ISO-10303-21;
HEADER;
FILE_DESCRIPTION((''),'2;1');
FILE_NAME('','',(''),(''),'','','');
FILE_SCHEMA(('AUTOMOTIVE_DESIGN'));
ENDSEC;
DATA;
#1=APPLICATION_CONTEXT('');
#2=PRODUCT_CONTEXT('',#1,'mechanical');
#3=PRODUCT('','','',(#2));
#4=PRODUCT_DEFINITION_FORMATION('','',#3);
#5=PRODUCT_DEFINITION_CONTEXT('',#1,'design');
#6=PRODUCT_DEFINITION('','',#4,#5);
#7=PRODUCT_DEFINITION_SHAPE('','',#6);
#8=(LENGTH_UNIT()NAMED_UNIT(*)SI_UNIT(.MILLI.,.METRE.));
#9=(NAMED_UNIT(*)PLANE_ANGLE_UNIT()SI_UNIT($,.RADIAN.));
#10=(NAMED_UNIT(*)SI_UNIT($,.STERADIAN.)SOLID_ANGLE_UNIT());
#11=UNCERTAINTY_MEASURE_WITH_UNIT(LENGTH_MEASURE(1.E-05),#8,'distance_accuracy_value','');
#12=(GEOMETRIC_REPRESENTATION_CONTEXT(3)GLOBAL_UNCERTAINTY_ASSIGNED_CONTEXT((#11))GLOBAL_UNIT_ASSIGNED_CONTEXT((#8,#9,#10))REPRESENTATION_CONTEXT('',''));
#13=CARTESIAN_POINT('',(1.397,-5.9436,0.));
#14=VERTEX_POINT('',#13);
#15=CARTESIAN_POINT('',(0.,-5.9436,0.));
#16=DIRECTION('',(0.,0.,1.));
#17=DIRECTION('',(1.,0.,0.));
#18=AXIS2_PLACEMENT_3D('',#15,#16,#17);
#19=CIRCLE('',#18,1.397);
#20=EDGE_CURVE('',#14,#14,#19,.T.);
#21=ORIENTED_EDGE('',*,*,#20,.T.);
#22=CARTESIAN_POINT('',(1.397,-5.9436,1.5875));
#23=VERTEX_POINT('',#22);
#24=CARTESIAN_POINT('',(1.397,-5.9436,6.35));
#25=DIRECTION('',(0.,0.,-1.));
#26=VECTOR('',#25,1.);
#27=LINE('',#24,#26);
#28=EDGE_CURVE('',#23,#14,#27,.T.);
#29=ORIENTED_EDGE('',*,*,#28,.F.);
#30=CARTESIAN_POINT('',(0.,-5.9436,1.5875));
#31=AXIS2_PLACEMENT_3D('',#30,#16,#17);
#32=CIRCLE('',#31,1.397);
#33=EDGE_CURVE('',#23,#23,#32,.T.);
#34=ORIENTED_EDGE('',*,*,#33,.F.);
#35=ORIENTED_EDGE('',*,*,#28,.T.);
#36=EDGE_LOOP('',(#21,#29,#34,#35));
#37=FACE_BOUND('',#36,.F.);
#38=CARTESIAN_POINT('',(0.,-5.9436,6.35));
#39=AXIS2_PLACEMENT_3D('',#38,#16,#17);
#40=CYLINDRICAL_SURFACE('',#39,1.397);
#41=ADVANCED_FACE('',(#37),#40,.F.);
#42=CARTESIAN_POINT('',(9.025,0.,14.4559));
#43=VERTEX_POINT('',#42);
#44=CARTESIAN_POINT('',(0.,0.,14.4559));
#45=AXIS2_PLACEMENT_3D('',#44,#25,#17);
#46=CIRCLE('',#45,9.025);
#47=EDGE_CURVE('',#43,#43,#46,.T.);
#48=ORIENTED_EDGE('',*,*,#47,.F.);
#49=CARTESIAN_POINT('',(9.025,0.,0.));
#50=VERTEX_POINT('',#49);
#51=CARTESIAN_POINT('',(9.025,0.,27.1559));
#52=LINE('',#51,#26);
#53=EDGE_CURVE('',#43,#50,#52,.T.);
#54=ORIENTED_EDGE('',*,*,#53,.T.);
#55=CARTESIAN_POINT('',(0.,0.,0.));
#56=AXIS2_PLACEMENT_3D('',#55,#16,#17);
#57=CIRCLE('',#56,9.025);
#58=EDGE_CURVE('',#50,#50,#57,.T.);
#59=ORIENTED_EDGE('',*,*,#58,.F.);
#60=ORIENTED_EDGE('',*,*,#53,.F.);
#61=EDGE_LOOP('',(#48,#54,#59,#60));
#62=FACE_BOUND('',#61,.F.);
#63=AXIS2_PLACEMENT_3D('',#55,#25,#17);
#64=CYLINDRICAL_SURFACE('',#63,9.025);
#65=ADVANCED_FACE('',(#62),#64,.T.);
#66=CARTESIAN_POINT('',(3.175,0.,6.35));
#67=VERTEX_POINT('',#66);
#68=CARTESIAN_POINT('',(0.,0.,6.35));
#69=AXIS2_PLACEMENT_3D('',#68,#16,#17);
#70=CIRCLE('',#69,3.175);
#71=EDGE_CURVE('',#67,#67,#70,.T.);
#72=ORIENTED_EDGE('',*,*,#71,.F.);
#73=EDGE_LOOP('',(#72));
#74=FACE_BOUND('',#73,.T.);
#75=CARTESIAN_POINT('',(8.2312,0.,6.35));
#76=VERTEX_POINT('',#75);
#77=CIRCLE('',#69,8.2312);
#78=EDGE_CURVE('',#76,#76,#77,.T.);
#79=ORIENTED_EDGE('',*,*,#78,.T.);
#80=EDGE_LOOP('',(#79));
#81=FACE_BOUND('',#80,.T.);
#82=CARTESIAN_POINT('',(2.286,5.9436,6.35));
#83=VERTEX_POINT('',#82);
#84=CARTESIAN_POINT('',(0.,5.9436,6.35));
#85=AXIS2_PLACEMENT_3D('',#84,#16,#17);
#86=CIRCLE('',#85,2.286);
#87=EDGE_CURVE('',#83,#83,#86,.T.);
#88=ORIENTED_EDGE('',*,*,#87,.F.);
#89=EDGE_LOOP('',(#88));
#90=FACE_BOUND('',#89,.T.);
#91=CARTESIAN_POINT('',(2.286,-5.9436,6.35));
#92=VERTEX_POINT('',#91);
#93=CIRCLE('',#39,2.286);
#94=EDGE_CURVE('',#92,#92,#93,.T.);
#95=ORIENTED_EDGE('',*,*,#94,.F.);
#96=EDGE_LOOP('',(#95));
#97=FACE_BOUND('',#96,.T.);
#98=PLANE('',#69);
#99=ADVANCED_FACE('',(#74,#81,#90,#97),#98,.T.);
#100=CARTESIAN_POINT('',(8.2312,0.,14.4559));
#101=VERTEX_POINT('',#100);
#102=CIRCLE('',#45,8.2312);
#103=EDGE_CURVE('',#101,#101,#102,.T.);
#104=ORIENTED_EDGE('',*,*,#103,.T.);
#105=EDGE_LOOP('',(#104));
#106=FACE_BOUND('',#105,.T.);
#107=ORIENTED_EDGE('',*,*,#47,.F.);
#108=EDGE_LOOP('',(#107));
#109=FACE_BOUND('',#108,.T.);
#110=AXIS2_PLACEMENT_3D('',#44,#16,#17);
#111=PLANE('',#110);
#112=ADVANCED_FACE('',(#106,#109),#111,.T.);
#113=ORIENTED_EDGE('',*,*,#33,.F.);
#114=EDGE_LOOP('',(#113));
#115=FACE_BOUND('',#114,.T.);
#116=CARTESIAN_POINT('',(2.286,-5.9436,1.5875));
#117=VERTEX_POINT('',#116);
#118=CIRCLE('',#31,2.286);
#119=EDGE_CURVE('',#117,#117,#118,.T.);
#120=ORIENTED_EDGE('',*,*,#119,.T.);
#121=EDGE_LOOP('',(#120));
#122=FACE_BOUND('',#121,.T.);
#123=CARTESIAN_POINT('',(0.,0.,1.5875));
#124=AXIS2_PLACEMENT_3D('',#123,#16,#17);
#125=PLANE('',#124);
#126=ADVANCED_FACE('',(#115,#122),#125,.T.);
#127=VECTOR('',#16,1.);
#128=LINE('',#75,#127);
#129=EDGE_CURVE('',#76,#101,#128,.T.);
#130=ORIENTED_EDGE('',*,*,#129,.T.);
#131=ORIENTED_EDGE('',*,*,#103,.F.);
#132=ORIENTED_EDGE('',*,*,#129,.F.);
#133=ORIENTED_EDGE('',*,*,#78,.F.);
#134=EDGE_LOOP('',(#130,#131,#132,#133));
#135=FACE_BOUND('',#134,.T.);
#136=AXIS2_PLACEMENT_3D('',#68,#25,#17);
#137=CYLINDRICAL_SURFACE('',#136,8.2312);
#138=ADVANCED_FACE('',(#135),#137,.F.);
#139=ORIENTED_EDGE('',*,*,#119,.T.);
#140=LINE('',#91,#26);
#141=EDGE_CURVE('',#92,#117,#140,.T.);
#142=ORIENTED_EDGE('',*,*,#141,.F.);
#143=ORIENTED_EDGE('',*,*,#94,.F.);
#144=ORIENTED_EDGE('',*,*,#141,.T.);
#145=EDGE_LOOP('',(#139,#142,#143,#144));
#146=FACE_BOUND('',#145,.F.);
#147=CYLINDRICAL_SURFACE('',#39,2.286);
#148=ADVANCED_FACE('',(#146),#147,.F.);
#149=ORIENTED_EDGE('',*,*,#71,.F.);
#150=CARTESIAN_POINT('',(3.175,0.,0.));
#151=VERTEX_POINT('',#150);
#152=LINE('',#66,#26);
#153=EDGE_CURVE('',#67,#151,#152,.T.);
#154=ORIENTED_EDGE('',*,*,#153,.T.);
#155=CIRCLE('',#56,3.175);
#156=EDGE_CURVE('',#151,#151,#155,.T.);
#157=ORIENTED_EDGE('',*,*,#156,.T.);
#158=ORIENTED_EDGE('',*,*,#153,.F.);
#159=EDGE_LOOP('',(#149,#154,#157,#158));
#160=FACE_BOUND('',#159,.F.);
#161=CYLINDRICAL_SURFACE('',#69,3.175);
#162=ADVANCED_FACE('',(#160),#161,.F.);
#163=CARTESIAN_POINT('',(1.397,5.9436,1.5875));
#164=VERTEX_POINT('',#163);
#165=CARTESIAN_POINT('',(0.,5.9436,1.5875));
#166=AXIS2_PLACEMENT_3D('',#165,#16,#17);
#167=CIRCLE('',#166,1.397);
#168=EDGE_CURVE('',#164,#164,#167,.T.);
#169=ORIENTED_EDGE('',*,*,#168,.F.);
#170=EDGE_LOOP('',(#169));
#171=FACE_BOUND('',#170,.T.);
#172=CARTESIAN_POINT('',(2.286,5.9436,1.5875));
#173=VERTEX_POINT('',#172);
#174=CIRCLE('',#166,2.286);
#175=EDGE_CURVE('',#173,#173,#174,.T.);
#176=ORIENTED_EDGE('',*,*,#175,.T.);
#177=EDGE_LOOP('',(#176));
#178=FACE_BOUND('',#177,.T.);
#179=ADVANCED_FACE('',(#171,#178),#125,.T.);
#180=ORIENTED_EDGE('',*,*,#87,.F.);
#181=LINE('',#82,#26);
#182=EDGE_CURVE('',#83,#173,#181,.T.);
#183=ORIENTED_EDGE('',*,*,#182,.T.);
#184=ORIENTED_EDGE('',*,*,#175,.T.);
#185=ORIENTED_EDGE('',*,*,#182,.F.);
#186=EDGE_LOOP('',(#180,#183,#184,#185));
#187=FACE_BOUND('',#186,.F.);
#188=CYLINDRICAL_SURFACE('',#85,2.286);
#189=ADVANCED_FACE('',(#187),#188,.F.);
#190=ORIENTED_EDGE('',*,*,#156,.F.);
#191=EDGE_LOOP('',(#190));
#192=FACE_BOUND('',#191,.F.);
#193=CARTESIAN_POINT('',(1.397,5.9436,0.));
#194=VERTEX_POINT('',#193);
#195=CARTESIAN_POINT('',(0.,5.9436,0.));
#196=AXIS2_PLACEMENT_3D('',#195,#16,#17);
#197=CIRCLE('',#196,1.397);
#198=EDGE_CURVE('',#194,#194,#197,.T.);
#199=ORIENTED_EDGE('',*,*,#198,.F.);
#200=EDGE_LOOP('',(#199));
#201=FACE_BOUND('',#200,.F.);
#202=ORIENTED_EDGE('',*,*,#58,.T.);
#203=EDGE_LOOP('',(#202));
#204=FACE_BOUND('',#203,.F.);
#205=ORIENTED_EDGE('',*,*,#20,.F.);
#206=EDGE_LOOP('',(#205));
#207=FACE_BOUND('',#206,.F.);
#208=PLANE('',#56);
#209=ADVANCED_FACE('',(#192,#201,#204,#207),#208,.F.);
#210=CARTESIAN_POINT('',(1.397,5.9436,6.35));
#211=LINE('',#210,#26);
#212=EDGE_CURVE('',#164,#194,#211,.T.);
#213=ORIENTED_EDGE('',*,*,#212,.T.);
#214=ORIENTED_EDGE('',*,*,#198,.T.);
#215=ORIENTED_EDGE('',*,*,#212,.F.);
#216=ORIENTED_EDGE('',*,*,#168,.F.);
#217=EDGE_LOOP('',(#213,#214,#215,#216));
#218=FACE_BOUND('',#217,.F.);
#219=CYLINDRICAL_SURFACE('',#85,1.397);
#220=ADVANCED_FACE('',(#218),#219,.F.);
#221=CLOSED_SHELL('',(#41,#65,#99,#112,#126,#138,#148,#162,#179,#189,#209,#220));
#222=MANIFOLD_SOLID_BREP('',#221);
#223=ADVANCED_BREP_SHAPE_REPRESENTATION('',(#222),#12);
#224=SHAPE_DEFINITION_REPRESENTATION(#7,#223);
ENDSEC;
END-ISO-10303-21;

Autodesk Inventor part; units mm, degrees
ref_plane "YZ Plane" through (0, 0, 0) normal (1, 0, 0) x (0, 1, 0)
ref_plane "XZ Plane" through (0, 0, 0) normal (0, 1, 0) x (-1, 0, 0)
sketch "Sketch1" plane through (0, 0, 0) normal (0, 0, 1) x (1, 0, 0)
  circle A0 centre (0, 0) radius 9.025
  dimension "d0" = 18.05
extrude "Extrusion1" add sketch "Sketch1" along normal blind 6.35
sketch "Sketch4" plane through (0, 0, 6.35) normal (0, 0, 1) x (1, 0, 0)
  circle A0 centre (0, 0) radius 3.175
  dimension "d6" = 6.35
sketch "Sketch6" plane through (0, 0, 6.35) normal (0, 0, 1) x (1, 0, 0)
  circle A0 centre (0, 0) radius 9.025
  circle A1 centre (0, 0) radius 8.2312
  circle A2 centre (0, 0) radius 9.025 projected
  dimension "d11" = 0.7937
ref_plane "Work Plane1" through (-9.0805, -9.0805, 27.1559) normal (0, 0, -1) x (0.0062, 1, 0)
extrude "Extrusion3" add sketch "Sketch6" along normal up to surface (20.8059 mm away)
sketch "Sketch7" plane through (0, 0, 6.35) normal (0, 0, 1) x (1, 0, 0)
  circle A0 centre (0, 5.9436) radius 1.397
  circle A1 centre (0, -5.9436) radius 1.397
  circle A2 centre (0, 0) radius 8.2312 projected
  dimension "d20" = 2.794
  dimension "d21" = 2.794
  dimension "d22" = 5.9436
  dimension "d23" = 5.9436
extrude "Extrusion4" cut sketch "Sketch7" against normal blind 25.4 contours A0 | A1
sketch "Sketch8" plane through (0, 0, 6.35) normal (0, 0, 1) x (1, 0, 0)
  circle A0 centre (0, 5.9436) radius 2.286
  circle A1 centre (0, -5.9436) radius 2.286
  circle A2 centre (0, 5.9436) radius 1.397 projected
  circle A3 centre (0, -5.9436) radius 1.397 projected
  point P0 (0, 0)
  dimension "d16" = 4.572
  dimension "d17" = 4.572
extrude "Extrusion5" cut sketch "Sketch8" against normal blind 4.7625 contours A0 | A1 | A2 | A3
extrude "Extrusion6" cut sketch "Sketch4" against normal blind 25.4
sketch "Sketch9" plane through (0, 0, 27.1559) normal (0, 0, 1) x (1, 0, 0)
  circle A0 centre (27.8867, -20.1987) radius 65.8542
  point P0 (0, 0)
extrude "Extrusion7" cut sketch "Sketch9" against normal blind 12.7
properties part number "Cap Cap no LED"
